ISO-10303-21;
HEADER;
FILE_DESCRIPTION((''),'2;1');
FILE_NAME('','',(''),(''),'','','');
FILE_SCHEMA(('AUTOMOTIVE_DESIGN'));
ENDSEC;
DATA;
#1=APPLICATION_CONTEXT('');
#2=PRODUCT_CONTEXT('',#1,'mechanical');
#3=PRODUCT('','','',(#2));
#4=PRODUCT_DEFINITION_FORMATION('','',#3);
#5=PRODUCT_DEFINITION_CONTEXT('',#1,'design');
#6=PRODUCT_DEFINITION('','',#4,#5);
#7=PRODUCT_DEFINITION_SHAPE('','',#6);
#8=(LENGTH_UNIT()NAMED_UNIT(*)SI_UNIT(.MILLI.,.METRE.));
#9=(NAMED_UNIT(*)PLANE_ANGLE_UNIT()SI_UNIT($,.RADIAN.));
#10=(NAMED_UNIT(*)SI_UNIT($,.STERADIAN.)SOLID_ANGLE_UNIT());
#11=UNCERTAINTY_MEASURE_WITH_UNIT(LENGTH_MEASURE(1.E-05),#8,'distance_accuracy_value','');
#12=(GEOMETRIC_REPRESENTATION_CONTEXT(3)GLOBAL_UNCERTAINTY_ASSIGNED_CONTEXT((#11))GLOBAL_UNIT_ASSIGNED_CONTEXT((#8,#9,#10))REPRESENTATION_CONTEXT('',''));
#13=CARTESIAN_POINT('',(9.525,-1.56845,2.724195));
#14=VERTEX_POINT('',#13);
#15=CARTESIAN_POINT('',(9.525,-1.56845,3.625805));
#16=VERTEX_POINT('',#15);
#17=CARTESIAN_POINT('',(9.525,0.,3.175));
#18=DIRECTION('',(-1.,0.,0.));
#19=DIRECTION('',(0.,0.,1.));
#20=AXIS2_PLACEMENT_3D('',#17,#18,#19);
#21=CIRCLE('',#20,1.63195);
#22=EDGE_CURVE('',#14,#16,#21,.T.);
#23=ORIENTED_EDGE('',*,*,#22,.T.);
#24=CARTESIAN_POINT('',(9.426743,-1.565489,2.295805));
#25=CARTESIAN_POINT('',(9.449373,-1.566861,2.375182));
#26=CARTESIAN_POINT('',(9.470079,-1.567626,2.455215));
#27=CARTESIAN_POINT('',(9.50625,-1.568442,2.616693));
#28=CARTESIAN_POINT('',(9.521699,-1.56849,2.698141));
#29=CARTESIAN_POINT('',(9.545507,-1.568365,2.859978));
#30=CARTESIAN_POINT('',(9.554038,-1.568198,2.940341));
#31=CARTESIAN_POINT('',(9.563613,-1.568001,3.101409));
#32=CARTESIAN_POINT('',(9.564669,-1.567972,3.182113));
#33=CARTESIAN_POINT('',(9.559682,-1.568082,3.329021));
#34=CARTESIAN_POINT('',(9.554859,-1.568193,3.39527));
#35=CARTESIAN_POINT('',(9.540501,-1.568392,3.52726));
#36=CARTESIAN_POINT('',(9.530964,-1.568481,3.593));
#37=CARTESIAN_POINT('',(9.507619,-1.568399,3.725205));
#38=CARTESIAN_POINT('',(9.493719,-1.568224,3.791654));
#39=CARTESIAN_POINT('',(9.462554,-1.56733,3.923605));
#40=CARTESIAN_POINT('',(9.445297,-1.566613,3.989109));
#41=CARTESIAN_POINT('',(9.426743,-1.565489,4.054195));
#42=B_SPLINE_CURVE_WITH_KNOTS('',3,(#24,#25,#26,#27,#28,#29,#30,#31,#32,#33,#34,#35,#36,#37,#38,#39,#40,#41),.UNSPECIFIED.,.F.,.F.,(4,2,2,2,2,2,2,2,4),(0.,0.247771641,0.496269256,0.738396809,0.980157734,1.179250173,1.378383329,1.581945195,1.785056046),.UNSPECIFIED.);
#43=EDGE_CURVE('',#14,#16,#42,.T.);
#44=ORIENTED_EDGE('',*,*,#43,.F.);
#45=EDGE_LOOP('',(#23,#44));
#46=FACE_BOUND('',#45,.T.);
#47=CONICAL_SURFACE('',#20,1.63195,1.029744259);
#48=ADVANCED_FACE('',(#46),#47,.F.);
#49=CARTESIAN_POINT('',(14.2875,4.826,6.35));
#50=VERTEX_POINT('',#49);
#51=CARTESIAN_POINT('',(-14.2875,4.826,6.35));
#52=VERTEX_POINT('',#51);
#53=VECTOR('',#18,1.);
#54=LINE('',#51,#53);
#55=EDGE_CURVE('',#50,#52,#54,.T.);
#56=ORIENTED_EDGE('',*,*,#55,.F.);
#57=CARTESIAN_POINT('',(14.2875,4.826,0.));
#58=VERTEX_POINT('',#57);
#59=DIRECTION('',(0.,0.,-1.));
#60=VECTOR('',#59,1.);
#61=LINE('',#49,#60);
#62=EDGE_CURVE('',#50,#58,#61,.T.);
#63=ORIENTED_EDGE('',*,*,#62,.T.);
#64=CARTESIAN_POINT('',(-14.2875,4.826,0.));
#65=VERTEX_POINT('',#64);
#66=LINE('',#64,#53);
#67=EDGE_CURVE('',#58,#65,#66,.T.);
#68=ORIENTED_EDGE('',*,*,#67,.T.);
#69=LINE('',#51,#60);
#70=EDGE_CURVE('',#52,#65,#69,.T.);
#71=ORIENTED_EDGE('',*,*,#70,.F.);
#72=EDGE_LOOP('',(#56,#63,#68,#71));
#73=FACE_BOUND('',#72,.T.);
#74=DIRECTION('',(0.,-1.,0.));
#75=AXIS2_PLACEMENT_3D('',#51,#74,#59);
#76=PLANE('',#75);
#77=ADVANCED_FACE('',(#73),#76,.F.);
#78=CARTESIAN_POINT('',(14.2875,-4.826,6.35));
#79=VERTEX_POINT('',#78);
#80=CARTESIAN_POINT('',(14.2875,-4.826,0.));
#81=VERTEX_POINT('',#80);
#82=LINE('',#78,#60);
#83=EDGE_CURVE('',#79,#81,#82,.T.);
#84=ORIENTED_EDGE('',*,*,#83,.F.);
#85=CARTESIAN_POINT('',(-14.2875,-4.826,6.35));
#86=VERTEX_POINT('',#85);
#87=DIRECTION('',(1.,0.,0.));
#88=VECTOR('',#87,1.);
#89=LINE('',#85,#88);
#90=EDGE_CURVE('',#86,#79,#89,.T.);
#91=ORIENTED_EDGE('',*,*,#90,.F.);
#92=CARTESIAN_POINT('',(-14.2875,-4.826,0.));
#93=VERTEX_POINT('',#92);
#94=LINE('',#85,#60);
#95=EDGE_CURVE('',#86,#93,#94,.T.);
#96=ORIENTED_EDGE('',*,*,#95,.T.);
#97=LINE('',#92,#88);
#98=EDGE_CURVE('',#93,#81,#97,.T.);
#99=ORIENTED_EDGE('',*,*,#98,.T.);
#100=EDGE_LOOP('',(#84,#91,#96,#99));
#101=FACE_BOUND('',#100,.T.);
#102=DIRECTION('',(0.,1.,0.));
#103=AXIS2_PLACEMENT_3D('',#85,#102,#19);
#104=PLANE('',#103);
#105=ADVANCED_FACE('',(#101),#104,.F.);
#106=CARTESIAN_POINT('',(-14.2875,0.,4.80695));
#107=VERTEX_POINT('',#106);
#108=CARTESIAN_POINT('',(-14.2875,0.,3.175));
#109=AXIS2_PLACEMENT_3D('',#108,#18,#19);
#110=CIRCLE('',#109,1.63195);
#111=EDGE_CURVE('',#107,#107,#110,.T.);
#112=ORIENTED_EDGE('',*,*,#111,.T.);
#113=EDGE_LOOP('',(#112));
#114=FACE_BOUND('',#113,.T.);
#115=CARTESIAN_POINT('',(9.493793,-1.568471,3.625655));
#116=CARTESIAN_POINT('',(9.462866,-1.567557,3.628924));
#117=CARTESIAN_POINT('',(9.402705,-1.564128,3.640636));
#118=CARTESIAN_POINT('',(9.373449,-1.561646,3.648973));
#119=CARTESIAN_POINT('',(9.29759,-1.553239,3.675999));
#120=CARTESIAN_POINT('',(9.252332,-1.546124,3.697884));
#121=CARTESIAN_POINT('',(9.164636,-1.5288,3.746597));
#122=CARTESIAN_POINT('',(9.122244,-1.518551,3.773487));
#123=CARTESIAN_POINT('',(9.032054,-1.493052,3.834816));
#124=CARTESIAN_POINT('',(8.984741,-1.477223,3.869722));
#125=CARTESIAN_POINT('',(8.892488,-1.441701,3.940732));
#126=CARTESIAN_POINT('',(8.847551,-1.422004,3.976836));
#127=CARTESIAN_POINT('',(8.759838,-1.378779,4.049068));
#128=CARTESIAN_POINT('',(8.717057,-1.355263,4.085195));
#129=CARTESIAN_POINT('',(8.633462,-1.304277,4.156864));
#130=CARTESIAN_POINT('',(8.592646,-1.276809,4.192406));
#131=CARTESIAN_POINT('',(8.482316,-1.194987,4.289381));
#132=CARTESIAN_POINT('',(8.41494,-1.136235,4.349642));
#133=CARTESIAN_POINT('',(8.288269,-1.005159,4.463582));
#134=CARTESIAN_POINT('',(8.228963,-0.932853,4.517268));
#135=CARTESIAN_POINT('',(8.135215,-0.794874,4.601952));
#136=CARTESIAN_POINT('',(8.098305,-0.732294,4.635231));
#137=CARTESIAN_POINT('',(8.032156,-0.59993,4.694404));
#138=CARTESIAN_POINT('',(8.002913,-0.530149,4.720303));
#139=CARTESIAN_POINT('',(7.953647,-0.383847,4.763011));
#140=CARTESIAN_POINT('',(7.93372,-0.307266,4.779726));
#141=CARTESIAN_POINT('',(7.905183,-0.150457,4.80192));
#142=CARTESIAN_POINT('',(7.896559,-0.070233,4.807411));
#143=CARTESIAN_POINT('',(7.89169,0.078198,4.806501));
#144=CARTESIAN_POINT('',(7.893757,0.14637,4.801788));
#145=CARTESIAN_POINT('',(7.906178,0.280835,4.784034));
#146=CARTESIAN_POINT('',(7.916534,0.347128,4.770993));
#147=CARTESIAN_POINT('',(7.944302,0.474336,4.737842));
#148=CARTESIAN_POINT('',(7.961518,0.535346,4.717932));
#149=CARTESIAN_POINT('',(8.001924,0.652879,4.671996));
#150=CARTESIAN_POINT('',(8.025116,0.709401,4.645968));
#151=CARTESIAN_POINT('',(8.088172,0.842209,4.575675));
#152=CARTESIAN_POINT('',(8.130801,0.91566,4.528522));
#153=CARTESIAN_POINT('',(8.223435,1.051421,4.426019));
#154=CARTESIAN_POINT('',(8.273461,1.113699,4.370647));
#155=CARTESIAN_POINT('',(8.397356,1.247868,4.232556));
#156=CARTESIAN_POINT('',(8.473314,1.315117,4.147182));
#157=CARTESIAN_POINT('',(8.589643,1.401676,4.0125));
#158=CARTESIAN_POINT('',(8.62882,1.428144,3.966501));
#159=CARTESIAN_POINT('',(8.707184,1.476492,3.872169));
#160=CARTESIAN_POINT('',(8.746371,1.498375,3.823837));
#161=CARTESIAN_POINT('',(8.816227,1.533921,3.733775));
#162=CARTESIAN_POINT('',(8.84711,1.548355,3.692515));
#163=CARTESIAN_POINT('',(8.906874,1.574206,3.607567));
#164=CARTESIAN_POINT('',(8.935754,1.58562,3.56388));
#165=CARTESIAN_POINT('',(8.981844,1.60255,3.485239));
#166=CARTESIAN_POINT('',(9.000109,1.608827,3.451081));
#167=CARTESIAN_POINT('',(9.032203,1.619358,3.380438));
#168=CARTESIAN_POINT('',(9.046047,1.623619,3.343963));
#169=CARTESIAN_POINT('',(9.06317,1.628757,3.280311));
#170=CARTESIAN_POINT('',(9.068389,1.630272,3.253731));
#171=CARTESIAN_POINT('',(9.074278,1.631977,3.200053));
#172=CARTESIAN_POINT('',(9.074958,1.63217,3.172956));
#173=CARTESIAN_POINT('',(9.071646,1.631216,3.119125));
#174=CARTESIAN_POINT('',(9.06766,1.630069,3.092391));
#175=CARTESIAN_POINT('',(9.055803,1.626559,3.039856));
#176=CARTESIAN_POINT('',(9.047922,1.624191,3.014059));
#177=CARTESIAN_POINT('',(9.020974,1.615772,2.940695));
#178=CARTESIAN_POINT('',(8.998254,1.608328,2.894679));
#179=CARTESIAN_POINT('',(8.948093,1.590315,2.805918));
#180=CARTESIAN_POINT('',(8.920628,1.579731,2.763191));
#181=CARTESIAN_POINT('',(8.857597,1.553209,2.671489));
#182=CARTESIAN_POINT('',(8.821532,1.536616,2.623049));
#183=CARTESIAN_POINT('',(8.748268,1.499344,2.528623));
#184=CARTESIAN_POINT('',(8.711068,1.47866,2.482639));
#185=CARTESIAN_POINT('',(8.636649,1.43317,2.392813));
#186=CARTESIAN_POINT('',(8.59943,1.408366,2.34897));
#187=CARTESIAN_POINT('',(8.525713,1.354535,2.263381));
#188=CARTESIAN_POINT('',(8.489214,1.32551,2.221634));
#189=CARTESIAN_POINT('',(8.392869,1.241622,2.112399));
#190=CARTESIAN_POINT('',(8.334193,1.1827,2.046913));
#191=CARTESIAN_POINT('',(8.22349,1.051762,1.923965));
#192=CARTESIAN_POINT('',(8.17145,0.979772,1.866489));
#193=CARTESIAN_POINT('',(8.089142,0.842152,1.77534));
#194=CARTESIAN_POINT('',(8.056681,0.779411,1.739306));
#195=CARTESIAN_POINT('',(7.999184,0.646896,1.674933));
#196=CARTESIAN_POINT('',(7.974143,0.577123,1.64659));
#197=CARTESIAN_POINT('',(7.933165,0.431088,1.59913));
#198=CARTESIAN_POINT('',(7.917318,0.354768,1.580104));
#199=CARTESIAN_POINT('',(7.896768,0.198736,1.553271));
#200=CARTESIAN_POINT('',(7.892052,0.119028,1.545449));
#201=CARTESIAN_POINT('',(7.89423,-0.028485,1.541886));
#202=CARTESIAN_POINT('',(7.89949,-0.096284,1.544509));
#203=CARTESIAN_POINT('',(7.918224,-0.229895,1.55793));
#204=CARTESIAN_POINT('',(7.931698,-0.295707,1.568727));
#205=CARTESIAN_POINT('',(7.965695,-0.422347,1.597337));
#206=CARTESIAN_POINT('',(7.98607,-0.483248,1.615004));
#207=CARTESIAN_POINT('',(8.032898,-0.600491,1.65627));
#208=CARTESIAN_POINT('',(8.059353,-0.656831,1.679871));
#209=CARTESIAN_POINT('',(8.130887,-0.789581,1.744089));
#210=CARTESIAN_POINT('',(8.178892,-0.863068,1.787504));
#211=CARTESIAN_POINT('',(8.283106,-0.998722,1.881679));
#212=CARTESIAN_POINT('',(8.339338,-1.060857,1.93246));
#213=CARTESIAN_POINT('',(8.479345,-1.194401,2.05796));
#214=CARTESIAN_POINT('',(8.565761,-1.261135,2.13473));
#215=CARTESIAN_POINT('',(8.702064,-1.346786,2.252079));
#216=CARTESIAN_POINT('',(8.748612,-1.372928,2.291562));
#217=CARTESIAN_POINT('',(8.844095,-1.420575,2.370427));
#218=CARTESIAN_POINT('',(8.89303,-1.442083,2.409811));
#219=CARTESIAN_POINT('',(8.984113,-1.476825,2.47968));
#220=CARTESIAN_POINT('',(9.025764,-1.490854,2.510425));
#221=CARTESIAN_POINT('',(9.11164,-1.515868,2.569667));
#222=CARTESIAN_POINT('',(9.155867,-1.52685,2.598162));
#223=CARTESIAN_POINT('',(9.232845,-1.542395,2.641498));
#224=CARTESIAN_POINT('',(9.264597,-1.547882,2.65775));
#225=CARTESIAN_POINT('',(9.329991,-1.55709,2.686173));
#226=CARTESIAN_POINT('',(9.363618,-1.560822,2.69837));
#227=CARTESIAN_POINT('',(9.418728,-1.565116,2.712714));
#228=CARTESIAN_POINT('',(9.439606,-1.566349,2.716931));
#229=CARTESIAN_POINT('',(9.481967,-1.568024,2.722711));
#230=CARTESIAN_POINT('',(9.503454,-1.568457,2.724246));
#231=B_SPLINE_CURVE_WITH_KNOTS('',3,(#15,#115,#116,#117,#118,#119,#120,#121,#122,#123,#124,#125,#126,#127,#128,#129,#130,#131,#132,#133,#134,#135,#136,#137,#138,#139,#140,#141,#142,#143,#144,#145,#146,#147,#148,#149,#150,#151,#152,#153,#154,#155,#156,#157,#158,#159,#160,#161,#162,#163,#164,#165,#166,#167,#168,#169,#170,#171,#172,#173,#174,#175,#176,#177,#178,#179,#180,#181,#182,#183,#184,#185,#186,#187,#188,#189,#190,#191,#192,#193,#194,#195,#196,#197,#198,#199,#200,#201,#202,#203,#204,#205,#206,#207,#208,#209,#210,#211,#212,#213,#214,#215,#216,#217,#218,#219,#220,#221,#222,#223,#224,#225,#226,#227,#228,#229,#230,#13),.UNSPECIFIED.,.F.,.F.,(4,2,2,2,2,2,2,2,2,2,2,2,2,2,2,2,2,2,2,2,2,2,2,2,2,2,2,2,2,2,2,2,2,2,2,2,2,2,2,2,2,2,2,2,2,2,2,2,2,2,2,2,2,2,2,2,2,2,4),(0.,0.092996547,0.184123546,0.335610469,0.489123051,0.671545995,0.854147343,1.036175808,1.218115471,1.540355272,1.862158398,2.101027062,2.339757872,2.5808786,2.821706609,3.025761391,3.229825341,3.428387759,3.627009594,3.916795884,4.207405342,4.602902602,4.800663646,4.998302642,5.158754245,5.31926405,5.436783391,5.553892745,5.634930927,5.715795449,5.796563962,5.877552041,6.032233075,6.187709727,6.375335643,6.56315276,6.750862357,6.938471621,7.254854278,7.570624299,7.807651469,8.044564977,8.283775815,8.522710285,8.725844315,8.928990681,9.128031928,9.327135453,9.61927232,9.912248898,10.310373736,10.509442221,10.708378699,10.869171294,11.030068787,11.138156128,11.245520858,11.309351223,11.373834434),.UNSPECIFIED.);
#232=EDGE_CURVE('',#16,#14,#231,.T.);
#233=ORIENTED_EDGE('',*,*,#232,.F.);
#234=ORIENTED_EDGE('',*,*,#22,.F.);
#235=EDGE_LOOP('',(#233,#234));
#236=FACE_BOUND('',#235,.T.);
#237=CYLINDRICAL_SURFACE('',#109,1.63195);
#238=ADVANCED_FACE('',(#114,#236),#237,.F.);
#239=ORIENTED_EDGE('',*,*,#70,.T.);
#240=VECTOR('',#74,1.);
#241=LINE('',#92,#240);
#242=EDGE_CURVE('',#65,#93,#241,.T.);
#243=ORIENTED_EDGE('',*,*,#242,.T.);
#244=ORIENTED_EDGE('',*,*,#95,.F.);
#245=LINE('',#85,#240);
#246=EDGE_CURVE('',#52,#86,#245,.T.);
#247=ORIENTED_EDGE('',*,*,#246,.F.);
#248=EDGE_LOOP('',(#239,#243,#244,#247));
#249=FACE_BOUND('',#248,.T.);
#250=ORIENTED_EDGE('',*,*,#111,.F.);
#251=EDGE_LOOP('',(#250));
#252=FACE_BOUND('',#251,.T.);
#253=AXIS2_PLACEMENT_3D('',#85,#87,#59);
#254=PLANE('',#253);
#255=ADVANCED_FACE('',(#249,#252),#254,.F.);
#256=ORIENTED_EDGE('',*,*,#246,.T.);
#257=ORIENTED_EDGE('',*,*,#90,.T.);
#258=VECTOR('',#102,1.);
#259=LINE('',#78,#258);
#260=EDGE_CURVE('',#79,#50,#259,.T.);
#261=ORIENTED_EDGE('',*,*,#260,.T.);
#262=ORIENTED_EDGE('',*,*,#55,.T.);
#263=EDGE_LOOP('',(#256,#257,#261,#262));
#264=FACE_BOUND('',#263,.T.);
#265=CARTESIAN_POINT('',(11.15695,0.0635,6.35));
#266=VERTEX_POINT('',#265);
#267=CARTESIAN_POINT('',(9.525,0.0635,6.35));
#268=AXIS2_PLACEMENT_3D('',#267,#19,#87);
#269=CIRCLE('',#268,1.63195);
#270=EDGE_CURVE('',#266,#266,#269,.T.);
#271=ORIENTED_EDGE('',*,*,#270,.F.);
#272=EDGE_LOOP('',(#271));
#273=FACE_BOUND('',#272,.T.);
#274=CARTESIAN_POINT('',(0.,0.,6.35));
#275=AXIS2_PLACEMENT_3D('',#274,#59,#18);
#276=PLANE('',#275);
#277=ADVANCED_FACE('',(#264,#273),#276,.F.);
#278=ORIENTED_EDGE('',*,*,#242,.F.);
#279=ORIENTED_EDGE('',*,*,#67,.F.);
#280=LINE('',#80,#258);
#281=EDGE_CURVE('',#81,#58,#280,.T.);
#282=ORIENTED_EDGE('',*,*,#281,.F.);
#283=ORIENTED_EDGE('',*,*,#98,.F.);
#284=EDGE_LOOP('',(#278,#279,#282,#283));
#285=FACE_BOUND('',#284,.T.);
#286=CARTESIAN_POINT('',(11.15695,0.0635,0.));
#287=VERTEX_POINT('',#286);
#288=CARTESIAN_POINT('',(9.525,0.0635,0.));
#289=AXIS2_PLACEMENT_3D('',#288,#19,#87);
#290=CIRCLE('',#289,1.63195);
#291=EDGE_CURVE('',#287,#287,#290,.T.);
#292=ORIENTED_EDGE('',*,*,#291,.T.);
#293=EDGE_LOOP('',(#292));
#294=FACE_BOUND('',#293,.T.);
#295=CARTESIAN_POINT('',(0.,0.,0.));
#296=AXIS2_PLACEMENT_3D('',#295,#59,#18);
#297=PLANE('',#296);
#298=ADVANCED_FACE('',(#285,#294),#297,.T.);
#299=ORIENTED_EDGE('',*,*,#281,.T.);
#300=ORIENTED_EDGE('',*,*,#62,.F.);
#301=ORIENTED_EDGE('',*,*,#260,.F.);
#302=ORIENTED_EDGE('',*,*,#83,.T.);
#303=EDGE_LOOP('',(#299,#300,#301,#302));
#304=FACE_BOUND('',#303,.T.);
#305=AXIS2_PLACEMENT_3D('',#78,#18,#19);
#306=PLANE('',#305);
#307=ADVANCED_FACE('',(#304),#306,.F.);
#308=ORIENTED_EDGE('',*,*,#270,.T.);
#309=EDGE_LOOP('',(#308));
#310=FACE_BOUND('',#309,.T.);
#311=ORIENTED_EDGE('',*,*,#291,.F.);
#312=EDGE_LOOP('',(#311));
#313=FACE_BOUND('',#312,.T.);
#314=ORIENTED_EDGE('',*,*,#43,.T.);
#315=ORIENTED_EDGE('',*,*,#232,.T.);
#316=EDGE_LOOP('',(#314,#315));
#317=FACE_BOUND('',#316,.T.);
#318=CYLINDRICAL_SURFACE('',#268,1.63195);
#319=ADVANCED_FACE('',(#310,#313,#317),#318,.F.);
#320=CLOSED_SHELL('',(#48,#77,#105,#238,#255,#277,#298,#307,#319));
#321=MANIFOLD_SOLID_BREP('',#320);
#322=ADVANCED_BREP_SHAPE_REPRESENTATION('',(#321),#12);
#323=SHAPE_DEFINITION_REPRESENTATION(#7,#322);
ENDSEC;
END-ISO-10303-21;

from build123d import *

# Parameters (mm, degrees)
SKETCH1_W                 = 28.575
SKETCH1_H                 = 9.652
BOSS_EXTRUDE1_DEPTH       = 6.35
F_4_CLEARANCE_HOLE1_D     = 3.2639
F_4_CLEARANCE_HOLE2_D     = 3.2639
F_4_CLEARANCE_HOLE2_DEPTH = 23.8115
F_4_CLEARANCE_HOLE2_TIP   = 0.980574487


with BuildPart() as part:
    # Sketch1 → Boss-Extrude1 (new body)
    with BuildSketch(Plane.XY):
        Rectangle(SKETCH1_W, SKETCH1_H)
    extrude(amount=BOSS_EXTRUDE1_DEPTH)

    # #4 Clearance Hole1 (through all)
    with Locations(Plane.XY.offset(6.35)):
        with Locations((9.525, 0.0635)):
            Hole(F_4_CLEARANCE_HOLE1_D / 2)

    # #4 Clearance Hole2
    with Locations(Plane.ZY.offset(14.2875)):
        with Locations((3.175, 0)):
            Hole(F_4_CLEARANCE_HOLE2_D / 2, depth=F_4_CLEARANCE_HOLE2_DEPTH)
            with Locations((0, 0, -(F_4_CLEARANCE_HOLE2_DEPTH + F_4_CLEARANCE_HOLE2_TIP / 2))):  # 118° drill point
                Cone(0, F_4_CLEARANCE_HOLE2_D / 2, F_4_CLEARANCE_HOLE2_TIP, mode=Mode.SUBTRACT)


solid = part.part
